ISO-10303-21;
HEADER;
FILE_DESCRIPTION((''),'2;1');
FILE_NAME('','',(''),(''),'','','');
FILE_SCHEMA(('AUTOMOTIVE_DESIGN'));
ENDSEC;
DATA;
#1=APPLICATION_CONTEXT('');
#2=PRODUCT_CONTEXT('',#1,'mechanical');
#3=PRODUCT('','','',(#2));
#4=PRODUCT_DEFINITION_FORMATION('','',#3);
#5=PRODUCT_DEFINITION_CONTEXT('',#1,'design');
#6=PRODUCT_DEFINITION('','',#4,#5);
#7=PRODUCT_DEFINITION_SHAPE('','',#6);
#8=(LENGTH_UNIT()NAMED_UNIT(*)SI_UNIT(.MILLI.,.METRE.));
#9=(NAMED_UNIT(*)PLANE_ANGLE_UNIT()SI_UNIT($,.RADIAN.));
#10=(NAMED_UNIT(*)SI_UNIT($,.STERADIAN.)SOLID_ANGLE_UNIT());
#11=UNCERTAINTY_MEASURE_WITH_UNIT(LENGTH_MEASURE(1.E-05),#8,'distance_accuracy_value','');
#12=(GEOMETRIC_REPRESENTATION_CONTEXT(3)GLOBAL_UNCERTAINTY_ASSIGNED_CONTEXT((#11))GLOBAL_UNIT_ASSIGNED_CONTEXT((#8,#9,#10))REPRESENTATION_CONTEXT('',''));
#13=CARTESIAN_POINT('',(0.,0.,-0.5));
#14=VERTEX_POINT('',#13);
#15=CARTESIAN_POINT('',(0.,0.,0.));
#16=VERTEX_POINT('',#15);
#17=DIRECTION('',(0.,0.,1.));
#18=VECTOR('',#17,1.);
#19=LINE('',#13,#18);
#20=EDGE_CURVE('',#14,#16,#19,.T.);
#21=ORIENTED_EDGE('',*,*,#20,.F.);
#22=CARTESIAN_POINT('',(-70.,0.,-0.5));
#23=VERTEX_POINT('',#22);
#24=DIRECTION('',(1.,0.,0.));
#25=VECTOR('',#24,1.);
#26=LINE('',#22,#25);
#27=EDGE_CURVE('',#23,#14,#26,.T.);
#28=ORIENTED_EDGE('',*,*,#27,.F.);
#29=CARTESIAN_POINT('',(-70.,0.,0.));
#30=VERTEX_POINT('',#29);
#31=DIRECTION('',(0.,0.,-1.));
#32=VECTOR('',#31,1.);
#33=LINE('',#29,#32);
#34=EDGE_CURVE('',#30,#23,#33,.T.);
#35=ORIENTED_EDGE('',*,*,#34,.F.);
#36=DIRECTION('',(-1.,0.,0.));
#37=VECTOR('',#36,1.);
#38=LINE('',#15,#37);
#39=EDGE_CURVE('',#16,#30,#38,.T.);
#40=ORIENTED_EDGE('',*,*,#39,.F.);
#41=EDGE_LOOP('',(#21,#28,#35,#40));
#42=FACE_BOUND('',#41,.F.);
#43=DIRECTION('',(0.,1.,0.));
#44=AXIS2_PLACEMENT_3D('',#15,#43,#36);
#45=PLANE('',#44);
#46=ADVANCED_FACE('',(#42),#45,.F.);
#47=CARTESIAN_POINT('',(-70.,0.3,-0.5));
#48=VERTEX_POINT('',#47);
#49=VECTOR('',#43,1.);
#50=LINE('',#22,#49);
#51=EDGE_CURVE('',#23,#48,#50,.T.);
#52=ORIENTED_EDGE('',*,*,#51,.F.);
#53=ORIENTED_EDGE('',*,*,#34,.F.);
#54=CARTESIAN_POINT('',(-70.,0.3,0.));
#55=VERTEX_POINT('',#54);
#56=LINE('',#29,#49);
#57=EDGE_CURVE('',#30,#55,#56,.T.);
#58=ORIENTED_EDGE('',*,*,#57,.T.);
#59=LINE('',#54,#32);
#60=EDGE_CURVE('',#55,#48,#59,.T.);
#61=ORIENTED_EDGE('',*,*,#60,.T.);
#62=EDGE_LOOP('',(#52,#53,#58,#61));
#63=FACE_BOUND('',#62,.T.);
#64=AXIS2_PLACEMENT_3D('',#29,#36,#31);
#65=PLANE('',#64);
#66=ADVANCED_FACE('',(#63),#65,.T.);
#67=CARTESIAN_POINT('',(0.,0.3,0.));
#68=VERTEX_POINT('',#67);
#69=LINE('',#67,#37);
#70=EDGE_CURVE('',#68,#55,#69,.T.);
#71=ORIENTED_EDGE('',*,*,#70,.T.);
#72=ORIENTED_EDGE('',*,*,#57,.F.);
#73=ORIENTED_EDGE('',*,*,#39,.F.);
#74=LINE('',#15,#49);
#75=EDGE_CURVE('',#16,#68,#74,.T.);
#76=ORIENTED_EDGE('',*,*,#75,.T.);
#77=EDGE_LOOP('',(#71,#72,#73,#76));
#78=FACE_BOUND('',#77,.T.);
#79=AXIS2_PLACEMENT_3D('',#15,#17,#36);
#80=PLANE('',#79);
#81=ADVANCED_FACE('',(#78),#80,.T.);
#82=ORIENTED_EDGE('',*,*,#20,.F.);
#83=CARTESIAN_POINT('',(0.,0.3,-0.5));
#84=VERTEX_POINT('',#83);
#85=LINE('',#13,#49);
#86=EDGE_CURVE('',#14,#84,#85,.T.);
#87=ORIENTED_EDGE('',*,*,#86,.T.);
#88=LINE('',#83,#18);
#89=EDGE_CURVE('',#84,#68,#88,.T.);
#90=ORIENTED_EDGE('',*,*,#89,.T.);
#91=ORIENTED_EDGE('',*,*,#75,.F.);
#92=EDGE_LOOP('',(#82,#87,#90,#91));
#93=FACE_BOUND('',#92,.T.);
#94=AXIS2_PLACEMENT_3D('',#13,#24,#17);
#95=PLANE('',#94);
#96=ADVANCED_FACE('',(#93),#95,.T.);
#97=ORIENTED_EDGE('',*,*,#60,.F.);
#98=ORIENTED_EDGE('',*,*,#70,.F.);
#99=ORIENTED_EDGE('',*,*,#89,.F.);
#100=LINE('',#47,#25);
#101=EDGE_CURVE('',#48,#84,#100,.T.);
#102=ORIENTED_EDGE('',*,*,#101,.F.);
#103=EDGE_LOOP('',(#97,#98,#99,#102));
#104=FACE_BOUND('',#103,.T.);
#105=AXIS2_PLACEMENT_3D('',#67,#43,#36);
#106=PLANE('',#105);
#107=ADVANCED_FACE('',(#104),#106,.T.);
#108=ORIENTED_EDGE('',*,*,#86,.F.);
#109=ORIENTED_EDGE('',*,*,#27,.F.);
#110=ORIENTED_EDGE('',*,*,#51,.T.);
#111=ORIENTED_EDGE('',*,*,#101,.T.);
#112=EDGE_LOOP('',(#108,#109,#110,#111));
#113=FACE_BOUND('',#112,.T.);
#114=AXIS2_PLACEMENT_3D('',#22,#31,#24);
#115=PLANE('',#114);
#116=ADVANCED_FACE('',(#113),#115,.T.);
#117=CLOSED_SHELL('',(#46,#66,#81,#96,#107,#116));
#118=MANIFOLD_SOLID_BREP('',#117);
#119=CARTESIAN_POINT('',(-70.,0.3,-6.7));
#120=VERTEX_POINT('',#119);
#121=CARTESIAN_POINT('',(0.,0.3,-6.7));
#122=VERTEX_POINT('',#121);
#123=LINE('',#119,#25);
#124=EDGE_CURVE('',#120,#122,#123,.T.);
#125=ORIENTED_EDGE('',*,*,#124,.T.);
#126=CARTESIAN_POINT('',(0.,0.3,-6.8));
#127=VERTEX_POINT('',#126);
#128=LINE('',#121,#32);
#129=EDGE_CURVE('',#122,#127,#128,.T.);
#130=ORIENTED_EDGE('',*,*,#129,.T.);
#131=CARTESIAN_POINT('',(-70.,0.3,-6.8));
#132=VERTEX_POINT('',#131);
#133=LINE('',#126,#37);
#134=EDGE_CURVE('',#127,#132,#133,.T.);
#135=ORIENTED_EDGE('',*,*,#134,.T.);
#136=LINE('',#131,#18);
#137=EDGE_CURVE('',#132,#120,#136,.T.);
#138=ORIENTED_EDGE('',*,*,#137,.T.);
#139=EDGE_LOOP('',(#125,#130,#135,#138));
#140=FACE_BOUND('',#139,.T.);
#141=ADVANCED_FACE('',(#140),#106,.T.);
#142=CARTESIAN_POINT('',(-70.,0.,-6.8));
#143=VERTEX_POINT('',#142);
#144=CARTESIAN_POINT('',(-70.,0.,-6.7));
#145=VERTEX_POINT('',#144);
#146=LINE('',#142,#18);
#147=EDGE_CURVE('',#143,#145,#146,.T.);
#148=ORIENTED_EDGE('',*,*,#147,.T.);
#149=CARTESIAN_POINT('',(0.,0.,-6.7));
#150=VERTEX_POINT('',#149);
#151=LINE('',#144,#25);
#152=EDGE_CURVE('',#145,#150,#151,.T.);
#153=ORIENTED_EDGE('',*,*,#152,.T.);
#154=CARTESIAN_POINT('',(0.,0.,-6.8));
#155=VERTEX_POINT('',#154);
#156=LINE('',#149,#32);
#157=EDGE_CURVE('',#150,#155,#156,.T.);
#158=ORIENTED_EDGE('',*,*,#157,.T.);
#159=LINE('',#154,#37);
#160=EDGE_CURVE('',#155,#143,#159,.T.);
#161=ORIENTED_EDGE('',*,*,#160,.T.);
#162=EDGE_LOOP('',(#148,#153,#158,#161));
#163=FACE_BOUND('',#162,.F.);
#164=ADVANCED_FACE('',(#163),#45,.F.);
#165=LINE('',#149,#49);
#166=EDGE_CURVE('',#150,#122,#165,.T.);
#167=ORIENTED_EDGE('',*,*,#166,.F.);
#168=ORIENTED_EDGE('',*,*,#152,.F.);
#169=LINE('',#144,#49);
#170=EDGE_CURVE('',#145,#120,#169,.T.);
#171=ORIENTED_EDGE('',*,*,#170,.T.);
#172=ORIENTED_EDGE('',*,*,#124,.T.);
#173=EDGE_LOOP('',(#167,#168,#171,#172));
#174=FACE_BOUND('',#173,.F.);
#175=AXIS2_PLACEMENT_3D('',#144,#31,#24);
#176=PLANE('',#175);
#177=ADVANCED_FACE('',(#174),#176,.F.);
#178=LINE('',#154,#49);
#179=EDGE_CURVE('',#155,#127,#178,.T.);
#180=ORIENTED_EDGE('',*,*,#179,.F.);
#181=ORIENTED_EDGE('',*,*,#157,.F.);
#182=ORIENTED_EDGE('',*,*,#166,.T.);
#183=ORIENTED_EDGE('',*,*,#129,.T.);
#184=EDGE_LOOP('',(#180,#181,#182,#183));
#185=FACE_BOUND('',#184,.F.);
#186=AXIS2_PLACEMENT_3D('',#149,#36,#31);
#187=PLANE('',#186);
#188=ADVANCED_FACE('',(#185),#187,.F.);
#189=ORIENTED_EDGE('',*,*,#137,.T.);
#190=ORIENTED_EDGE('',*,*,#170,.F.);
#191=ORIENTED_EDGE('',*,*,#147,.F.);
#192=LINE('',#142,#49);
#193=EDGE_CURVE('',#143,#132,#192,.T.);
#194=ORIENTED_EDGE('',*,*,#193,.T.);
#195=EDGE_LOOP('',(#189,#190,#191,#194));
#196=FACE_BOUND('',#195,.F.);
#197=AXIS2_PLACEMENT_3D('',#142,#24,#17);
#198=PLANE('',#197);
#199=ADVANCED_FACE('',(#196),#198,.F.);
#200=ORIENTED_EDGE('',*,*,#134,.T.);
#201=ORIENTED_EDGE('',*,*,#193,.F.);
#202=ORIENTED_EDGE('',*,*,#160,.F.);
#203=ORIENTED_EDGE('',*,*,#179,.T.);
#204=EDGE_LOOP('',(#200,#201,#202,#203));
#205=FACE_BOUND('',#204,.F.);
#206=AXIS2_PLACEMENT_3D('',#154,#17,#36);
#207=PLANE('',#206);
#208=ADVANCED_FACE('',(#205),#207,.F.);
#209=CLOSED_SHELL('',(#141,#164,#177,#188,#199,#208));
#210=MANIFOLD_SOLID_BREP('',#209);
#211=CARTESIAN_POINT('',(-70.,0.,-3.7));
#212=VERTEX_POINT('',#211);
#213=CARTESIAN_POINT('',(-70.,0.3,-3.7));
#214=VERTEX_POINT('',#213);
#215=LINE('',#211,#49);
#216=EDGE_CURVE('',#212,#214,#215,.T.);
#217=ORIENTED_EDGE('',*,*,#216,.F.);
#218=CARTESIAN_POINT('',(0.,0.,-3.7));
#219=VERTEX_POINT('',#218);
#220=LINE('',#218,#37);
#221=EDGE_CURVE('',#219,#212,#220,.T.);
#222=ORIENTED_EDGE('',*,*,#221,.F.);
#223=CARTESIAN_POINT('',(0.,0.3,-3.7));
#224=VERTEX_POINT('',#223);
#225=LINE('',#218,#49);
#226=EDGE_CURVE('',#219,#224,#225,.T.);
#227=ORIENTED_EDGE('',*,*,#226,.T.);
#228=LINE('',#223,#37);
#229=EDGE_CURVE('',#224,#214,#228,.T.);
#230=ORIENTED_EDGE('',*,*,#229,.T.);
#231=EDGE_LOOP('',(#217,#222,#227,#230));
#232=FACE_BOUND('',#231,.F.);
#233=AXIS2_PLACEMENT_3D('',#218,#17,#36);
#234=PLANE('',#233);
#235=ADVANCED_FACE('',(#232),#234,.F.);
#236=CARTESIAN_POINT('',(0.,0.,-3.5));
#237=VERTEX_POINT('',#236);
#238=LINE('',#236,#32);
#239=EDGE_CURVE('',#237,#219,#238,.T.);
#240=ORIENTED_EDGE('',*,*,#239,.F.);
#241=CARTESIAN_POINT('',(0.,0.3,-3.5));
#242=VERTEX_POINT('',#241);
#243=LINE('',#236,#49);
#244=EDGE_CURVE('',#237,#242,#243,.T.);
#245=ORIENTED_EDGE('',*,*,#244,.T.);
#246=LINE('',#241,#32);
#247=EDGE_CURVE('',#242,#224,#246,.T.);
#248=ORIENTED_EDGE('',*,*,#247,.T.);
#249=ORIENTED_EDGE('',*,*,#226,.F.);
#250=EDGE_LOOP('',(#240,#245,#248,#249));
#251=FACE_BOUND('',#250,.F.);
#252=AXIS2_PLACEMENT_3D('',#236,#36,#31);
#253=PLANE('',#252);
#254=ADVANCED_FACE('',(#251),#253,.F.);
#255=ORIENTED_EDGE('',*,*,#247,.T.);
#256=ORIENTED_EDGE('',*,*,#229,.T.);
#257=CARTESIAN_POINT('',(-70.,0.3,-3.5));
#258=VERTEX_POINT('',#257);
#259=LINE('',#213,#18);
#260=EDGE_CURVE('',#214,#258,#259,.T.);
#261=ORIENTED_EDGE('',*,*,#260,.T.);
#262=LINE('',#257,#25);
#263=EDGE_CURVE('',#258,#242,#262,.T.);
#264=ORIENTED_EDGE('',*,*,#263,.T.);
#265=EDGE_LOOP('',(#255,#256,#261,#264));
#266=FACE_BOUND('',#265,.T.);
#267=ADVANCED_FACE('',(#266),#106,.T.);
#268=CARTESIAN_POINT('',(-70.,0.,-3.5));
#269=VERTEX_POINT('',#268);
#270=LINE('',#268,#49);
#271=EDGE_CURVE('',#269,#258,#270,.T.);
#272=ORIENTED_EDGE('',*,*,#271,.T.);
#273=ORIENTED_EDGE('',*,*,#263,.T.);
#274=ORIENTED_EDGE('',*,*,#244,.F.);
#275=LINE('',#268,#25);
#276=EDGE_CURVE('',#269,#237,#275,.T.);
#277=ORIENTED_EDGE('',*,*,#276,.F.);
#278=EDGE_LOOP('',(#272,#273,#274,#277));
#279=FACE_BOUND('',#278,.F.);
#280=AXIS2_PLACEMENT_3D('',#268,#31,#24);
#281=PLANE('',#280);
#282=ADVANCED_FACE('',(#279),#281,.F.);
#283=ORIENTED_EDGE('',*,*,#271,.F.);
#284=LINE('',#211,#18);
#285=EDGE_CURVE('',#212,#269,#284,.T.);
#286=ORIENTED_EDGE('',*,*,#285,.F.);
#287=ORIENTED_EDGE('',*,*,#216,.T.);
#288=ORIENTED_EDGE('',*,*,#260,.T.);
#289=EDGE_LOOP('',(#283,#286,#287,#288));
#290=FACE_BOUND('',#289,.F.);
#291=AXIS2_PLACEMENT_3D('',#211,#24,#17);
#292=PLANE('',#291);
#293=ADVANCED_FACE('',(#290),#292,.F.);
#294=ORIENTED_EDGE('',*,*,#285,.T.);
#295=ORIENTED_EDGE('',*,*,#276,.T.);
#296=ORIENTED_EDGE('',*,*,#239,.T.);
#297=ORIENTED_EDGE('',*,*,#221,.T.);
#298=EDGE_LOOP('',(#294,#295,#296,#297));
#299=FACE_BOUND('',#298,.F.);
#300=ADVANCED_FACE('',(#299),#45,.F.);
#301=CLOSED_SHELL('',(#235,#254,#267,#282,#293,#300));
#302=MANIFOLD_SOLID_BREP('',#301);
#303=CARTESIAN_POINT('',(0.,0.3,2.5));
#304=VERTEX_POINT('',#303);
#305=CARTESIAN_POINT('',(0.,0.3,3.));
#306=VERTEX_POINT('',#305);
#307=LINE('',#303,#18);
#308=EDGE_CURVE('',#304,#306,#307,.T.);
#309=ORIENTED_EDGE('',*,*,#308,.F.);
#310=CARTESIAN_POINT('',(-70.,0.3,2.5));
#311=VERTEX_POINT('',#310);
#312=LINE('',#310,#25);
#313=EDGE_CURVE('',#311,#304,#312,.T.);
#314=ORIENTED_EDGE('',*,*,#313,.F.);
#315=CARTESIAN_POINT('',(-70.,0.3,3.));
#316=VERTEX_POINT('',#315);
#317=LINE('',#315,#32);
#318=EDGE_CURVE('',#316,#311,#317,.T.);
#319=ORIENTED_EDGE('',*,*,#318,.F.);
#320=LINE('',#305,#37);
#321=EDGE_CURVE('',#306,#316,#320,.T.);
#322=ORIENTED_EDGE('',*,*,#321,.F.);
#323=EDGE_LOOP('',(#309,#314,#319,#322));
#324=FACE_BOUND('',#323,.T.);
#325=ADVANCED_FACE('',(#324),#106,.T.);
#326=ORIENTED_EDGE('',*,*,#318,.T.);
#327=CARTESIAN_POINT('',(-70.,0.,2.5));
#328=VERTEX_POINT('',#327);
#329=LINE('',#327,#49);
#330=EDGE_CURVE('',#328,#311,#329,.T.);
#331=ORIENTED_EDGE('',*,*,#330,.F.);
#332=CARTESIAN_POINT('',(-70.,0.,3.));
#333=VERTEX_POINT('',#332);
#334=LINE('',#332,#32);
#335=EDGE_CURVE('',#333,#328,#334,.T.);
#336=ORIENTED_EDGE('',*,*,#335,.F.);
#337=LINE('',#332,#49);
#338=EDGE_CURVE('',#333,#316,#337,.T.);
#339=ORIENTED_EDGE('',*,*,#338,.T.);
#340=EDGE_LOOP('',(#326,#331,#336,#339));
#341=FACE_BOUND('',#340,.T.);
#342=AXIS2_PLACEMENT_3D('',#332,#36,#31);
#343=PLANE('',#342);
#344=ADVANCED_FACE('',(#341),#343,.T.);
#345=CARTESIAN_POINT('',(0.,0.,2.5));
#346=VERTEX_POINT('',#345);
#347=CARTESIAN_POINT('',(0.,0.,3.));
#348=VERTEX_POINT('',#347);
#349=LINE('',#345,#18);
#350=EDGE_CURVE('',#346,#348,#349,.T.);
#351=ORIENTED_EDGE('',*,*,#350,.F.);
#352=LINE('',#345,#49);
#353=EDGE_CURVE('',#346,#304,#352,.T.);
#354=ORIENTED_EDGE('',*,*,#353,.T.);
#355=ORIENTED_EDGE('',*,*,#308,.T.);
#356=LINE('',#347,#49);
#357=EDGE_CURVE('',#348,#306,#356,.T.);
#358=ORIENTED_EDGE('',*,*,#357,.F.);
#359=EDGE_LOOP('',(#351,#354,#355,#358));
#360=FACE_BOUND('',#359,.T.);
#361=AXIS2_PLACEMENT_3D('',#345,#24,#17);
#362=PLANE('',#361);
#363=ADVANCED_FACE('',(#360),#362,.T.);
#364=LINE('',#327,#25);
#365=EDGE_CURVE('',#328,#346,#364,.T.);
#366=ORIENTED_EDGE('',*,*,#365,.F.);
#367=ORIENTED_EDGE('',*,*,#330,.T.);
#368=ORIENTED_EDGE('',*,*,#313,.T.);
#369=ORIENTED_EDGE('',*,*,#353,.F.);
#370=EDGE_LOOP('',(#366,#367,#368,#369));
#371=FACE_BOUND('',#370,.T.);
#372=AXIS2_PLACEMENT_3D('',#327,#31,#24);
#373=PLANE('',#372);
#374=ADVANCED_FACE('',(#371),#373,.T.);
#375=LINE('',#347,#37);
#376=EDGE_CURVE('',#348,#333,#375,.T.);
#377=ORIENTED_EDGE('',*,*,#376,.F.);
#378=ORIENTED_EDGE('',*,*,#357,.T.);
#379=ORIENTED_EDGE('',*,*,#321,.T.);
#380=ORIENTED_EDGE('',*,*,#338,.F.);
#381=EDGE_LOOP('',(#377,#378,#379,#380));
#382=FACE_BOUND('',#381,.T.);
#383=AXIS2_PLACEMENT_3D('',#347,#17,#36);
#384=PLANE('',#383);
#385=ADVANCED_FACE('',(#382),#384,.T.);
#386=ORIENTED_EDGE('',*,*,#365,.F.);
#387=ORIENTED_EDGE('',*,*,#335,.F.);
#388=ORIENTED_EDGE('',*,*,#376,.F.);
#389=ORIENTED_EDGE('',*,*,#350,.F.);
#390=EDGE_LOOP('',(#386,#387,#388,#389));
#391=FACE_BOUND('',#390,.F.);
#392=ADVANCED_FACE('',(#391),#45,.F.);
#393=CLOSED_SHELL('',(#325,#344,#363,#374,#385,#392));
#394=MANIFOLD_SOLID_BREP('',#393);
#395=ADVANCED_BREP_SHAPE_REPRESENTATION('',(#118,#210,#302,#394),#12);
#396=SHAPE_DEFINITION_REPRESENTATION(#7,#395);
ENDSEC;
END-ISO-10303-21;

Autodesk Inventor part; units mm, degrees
ref_plane "YZ Plane" through (0, 0, 0) normal (1, 0, 0) x (0, 1, 0)
ref_plane "XZ Plane" through (0, 0, 0) normal (0, 1, 0) x (-1, 0, 0)
ref_plane "XY Plane" through (0, 0, 0) normal (0, 0, 1) x (1, 0, 0)
sketch "Sketch1" plane through (0, 0, 0) normal (0, 1, 0) x (-1, 0, 0)
  line L0 (0, 0) -> (70, 0)
  line L1 (70, 0) -> (70, -0.5)
  line L2 (70, -0.5) -> (0, -0.5)
  line L3 (0, -0.5) -> (0, 0)
  line L4 (70, -3.5) -> (0, -3.5)
  line L5 (0, -3.5) -> (0, -3.7)
  line L6 (0, -3.7) -> (70, -3.7)
  line L7 (70, -3.7) -> (70, -3.5)
  line L8 (70, -6.7) -> (0, -6.7)
  line L9 (0, -6.7) -> (0, -6.8)
  line L10 (0, -6.8) -> (70, -6.8)
  line L11 (70, -6.8) -> (70, -6.7)
  line L12 (0, 3) -> (70, 3)
  line L13 (70, 3) -> (70, 2.5)
  line L14 (70, 2.5) -> (0, 2.5)
  line L15 (0, 2.5) -> (0, 3)
  point P0 (70, -4.8229)
  dimension "d0" = 70
  dimension "d1" = 0.5
  dimension "d2" = 70
  dimension "d3" = 0.2
  dimension "d4" = 3
  dimension "d5" = 70
  dimension "d6" = 0.1
  dimension "d7" = 3
  dimension "d8" = 0
  dimension "d9" = 70
  dimension "d10" = 0.5
  dimension "d11" = 3
  dimension "d12" = 0
extrude "Extrusion1" add sketch "Sketch1" along normal blind 0.3
properties part number "WAVEGUIDES"
